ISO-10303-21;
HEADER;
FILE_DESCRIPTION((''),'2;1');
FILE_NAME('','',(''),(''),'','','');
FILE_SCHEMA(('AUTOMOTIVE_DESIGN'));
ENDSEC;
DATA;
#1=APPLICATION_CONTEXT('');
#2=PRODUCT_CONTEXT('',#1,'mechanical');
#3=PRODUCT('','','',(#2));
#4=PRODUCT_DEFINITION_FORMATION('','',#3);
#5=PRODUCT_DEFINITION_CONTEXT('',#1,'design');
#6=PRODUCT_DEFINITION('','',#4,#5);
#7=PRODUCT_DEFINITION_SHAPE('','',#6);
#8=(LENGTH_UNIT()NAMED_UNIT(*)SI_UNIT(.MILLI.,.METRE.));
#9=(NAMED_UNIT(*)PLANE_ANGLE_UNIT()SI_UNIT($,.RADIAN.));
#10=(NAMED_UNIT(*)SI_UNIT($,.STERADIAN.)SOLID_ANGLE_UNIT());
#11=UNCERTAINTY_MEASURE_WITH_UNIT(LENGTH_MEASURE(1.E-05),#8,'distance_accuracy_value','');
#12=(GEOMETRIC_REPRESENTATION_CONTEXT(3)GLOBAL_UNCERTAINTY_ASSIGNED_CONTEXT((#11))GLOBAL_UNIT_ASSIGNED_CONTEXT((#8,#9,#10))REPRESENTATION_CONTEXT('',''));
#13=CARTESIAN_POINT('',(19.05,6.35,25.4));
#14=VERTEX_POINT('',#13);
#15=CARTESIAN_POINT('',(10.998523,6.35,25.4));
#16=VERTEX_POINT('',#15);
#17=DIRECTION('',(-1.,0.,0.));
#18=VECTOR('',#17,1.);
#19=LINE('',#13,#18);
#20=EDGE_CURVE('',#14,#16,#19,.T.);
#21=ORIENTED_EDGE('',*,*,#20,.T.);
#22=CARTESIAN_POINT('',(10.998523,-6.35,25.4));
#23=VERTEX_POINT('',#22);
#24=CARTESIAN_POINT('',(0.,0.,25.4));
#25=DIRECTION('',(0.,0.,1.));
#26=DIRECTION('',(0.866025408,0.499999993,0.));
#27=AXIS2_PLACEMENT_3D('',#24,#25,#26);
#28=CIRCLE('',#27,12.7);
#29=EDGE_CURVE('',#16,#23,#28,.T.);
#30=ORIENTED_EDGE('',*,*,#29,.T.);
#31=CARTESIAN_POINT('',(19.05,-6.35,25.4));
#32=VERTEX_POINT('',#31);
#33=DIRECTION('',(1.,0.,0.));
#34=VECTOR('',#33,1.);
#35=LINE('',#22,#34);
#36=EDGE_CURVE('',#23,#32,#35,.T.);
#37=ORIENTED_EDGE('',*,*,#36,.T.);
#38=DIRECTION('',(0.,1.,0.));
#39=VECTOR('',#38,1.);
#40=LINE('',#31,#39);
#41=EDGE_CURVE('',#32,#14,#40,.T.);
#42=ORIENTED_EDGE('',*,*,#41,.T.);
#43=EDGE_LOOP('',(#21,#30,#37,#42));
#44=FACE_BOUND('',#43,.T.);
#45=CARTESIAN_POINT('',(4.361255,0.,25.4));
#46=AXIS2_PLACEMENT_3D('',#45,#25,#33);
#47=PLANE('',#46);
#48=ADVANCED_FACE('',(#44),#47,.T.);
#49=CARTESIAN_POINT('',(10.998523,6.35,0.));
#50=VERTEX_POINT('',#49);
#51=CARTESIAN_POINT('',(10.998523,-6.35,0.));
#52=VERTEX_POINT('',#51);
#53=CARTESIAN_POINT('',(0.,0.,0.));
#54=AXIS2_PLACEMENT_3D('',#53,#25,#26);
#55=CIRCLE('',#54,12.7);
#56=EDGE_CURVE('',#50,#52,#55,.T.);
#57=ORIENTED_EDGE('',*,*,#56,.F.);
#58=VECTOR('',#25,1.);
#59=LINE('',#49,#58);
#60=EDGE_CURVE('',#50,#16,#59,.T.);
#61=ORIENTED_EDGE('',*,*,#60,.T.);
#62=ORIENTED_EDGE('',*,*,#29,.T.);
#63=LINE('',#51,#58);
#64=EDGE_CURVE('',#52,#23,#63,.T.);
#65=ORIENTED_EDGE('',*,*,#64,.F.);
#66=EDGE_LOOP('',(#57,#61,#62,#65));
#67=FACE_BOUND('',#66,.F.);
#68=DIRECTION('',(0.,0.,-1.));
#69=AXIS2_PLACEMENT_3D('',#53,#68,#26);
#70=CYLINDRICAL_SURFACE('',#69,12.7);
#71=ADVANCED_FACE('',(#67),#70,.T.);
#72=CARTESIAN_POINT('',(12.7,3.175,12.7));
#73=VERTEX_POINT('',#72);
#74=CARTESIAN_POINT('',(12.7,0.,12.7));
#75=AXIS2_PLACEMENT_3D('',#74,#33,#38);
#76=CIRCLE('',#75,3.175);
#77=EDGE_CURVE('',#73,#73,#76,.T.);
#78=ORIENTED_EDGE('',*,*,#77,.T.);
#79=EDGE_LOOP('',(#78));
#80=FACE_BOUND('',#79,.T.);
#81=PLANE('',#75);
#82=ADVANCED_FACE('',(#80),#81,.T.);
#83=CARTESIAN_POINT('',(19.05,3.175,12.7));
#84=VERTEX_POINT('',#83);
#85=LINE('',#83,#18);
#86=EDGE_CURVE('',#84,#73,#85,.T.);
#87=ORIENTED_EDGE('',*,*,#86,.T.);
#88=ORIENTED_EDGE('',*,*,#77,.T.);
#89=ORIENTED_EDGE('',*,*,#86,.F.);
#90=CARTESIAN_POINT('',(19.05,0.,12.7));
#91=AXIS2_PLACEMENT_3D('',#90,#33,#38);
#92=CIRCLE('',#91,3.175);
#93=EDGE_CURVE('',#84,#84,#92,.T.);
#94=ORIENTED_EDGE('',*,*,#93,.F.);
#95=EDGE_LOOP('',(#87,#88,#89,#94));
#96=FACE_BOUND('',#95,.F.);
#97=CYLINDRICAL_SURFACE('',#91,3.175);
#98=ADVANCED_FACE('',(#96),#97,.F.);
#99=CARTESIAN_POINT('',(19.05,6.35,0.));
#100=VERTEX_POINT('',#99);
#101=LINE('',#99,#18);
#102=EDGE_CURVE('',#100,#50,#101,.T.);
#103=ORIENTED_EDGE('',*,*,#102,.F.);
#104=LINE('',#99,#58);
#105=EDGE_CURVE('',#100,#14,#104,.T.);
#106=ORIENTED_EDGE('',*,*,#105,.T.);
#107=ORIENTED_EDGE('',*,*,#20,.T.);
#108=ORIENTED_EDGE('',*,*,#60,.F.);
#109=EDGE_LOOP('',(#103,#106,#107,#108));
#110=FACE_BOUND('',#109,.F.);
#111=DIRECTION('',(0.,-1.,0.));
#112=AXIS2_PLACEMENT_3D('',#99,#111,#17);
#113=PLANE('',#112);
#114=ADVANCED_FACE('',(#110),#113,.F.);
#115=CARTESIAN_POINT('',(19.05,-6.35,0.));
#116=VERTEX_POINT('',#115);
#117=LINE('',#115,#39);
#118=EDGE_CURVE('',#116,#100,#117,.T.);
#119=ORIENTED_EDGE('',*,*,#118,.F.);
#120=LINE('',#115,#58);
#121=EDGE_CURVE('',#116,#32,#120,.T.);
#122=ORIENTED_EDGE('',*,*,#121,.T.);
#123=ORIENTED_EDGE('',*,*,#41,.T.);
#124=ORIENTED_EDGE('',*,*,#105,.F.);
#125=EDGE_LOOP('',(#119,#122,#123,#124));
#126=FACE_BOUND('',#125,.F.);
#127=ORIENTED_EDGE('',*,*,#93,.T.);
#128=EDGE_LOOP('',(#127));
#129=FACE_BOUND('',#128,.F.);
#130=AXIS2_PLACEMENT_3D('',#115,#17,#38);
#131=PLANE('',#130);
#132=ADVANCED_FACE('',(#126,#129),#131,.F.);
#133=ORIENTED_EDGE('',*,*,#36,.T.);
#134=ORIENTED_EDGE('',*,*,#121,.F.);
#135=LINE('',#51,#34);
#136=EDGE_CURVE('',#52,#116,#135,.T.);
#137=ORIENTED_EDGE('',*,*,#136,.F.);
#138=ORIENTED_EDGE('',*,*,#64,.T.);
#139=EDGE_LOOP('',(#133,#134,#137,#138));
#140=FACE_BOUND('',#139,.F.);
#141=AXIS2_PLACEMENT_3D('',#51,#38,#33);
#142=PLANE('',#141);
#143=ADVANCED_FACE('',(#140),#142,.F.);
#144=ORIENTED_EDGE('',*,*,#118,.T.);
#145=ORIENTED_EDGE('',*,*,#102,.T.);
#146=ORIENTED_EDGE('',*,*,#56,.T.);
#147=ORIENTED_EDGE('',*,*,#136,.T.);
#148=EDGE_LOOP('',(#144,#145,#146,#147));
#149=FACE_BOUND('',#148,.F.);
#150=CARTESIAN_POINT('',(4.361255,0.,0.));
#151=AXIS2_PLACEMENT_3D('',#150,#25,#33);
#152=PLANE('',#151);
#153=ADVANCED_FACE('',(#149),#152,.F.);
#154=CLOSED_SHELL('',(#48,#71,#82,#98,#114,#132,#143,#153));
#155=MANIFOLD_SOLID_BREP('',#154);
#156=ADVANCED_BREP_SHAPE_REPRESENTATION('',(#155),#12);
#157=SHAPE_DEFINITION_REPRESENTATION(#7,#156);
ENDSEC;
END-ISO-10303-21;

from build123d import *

# Parameters (mm, degrees)
F1_DEPTH = 25.4
F2_R     = 3.175
F3_DEPTH = 6.35


with BuildPart() as f1:
    # F0 (on Top) → F1 (new body)
    with BuildSketch(Plane.XY):
        with BuildLine():
            Line((19.05, 6.35), (10.998523, 6.35))
            ThreePointArc((10.998523, 6.35), (-12.7, 0), (10.998523, -6.35))
            Line((10.998523, -6.35), (19.05, -6.35))
            Line((19.05, -6.35), (19.05, 6.35))
        make_face()
    extrude(amount=F1_DEPTH)

    # F2 (on face) → F3 (cut)
    with BuildSketch(Plane.YZ.offset(19.05)):
        with Locations((0, 12.7)):
            Circle(F2_R)
    extrude(amount=-F3_DEPTH, mode=Mode.SUBTRACT)


solid = f1.part
